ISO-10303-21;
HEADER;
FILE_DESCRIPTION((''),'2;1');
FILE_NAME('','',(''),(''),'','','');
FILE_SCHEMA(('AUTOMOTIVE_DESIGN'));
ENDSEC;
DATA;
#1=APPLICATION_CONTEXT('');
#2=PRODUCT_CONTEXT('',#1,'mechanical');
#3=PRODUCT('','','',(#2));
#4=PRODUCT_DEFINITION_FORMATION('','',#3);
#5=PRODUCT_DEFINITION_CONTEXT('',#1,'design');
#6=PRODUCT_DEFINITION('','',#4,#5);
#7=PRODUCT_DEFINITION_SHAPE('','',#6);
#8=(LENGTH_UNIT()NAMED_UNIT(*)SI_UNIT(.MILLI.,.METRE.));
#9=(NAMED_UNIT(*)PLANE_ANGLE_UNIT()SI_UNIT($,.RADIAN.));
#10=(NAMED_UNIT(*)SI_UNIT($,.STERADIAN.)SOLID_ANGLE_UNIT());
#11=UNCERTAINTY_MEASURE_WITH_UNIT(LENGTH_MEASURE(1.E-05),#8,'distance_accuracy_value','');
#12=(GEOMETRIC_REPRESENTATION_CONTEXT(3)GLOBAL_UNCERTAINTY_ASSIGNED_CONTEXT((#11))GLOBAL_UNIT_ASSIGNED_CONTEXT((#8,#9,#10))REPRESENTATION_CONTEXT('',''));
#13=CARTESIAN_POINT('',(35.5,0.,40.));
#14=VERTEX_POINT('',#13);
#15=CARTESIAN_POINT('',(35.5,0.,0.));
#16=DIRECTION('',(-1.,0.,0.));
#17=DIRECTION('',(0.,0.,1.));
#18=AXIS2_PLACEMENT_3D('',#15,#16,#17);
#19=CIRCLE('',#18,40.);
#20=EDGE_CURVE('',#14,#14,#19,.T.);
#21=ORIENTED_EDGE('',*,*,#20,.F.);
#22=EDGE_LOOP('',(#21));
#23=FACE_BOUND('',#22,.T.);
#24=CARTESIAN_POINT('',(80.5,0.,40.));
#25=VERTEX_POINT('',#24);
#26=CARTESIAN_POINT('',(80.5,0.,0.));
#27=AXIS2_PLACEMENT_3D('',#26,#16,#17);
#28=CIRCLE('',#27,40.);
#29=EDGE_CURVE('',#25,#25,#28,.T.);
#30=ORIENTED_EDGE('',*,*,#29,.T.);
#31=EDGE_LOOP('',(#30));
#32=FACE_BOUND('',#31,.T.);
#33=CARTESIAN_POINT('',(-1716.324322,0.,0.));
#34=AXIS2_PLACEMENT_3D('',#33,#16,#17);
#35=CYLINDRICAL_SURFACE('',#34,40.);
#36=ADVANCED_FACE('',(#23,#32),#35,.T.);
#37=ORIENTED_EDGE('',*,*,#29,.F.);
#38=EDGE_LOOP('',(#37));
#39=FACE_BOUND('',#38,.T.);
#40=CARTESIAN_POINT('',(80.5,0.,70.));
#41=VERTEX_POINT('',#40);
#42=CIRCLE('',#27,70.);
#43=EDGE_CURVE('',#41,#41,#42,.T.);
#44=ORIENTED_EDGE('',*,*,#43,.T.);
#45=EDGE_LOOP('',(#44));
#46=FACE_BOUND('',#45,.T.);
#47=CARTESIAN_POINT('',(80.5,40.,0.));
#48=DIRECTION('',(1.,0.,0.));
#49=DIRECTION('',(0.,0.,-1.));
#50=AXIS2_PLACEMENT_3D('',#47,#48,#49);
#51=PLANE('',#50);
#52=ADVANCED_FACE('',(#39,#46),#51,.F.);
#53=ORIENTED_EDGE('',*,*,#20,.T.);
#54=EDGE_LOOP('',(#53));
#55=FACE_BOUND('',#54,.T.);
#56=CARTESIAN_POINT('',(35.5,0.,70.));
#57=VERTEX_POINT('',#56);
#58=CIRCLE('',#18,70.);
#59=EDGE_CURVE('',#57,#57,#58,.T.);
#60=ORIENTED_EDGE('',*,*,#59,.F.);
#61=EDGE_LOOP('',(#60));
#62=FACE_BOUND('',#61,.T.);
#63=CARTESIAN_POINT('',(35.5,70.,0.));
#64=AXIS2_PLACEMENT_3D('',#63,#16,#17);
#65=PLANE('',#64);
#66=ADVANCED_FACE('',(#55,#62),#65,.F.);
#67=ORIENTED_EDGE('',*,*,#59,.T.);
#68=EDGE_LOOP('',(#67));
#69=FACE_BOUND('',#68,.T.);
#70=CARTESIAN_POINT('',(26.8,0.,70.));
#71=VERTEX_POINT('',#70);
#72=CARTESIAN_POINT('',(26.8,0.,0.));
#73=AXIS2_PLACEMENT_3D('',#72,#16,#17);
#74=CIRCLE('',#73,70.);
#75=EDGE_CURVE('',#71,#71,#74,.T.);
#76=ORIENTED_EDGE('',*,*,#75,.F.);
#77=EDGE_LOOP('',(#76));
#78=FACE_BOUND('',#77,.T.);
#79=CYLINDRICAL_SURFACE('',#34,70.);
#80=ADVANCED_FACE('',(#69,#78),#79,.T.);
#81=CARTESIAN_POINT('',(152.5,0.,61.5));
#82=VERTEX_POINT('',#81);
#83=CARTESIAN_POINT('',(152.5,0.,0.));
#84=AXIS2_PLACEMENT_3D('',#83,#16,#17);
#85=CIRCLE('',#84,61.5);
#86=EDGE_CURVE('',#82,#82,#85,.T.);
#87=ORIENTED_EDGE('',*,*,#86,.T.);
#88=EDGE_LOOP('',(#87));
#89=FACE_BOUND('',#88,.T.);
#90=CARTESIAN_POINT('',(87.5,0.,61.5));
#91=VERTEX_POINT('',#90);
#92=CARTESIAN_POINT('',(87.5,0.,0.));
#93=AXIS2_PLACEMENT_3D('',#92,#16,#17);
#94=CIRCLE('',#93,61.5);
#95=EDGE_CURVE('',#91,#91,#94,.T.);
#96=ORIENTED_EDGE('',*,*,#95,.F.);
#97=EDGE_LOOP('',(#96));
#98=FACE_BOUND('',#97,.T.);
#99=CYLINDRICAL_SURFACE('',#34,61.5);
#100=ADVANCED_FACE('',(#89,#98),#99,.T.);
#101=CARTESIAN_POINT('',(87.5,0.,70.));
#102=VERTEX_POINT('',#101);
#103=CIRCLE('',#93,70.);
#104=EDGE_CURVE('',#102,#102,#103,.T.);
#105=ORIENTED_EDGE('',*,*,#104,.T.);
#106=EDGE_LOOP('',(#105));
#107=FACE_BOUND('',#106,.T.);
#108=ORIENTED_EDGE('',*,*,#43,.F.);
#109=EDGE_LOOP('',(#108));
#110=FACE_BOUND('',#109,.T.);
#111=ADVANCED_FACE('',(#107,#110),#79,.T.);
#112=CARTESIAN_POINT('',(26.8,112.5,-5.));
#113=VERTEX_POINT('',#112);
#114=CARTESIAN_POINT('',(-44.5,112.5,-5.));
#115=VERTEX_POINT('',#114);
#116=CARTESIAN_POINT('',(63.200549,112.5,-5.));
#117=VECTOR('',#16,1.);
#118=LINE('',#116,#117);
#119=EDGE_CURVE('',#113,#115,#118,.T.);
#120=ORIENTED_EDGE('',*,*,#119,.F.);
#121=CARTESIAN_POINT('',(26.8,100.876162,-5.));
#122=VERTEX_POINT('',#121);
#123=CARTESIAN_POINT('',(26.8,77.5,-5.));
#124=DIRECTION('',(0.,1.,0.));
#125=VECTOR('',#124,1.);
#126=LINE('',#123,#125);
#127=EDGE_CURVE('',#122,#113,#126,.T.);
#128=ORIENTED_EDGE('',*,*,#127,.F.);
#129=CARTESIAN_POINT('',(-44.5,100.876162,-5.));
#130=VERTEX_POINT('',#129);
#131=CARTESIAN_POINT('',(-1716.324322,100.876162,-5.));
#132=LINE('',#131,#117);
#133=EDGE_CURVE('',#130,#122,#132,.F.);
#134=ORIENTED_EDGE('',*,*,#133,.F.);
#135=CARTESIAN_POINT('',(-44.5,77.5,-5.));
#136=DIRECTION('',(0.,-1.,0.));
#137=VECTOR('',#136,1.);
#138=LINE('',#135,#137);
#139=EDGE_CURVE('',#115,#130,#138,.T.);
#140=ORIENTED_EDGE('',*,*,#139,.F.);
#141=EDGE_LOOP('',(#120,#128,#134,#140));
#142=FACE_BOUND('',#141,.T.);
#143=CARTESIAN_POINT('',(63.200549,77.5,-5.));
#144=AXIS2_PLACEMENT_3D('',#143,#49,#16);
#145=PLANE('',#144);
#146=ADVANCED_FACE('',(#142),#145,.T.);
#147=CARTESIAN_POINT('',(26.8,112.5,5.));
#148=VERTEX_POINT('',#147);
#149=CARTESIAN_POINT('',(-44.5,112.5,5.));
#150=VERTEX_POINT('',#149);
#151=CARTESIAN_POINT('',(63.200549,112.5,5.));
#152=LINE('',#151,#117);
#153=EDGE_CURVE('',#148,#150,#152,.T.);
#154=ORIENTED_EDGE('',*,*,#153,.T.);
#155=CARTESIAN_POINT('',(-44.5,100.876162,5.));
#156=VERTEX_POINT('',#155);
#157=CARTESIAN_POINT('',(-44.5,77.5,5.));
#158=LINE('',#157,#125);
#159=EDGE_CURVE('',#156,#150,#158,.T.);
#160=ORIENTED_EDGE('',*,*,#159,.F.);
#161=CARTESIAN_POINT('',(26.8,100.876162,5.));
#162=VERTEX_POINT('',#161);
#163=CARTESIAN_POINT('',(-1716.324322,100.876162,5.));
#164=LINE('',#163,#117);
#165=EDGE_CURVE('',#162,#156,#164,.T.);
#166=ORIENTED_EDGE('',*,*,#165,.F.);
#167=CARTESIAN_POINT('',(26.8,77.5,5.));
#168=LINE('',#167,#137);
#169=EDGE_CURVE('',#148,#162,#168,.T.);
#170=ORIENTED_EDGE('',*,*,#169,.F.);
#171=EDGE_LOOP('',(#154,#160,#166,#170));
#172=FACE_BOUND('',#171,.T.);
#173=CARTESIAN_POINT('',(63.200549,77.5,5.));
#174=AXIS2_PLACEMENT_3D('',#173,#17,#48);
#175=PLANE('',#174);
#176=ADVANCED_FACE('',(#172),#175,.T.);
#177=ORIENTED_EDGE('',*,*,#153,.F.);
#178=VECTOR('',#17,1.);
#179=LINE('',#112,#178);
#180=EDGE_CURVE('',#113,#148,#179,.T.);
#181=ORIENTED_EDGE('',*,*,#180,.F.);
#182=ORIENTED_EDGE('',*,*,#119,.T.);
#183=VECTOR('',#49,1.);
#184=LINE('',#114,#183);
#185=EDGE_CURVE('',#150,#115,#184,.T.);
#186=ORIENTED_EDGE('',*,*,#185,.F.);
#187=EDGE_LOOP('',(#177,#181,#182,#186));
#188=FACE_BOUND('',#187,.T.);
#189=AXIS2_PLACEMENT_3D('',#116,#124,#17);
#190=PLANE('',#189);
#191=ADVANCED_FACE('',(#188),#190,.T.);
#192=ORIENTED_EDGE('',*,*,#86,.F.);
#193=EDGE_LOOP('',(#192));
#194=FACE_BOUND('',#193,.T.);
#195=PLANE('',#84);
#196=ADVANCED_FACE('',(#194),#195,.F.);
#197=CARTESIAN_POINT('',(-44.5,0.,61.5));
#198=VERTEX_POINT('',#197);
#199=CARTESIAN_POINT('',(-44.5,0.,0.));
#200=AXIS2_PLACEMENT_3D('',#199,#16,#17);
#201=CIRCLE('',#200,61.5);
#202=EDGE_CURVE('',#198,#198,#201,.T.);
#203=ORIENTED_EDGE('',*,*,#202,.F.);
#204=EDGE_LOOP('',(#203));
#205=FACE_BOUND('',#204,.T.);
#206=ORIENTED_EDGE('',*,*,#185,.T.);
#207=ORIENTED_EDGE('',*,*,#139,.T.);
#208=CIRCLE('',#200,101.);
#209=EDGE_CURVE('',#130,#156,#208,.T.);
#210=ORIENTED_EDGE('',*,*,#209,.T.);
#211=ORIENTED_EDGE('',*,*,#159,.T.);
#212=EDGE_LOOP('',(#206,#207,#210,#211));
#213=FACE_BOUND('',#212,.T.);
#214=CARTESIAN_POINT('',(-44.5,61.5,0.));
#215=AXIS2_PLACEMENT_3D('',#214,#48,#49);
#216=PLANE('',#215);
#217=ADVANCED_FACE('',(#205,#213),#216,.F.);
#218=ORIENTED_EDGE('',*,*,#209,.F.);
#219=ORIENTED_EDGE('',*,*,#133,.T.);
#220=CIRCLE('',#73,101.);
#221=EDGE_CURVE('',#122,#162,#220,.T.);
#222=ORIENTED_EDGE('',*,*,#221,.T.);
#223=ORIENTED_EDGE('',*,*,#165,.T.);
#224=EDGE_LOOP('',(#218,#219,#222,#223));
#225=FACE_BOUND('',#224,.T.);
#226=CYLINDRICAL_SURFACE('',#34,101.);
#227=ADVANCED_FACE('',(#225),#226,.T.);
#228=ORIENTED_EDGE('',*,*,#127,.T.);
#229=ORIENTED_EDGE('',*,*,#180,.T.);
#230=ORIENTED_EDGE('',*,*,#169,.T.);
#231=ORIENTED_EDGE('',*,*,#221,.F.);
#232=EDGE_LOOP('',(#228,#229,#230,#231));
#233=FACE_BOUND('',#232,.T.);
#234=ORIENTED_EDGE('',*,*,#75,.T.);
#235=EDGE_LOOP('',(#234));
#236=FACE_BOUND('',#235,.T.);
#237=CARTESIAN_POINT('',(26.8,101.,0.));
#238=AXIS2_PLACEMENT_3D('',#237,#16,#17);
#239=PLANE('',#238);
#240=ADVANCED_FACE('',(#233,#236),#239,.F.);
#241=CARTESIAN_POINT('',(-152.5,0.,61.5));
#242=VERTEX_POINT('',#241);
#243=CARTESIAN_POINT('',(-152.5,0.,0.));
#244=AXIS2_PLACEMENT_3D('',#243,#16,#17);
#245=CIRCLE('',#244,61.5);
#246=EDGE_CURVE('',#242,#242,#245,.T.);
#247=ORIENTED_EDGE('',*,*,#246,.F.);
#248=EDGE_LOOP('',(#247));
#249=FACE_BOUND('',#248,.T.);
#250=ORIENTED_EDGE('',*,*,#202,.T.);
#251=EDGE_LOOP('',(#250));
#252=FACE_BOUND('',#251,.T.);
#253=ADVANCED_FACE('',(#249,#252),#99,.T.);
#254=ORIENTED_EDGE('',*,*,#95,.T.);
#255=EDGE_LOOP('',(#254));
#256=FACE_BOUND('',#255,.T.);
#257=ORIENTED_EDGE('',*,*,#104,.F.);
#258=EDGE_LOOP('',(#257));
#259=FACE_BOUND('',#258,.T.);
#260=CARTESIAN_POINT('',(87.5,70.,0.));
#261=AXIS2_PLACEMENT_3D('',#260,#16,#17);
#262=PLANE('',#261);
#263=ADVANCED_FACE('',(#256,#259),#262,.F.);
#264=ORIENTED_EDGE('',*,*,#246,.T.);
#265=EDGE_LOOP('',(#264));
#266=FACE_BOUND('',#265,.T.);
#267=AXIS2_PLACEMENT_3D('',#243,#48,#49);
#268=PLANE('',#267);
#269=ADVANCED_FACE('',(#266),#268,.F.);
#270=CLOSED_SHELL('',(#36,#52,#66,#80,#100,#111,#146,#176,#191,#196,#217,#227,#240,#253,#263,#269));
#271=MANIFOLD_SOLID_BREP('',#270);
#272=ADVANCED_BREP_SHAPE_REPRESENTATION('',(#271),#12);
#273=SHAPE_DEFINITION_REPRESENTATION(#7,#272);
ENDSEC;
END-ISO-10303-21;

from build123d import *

# Parameters (mm, degrees)
SCHIZZO2_W                   = 10
SCHIZZO2_H                   = 35
ESTRUSIONE_ESTRUSIONE1_DEPTH = 71.3


with BuildPart() as part:
    # Schizzo1 → Rivoluzione1 (revolve)
    with BuildSketch(Plane.XY, mode=Mode.PRIVATE) as rivoluzione1_sk:
        Polygon((-152.5, 0), (152.5, 0), (152.5, 61.5), (87.5, 61.5), (87.5, 70), (80.5, 70), (80.5, 40), (35.5, 40), (35.5, 70), (26.8, 70), (26.8, 101), (-44.5, 101), (-44.5, 61.5), (-152.5, 61.5), align=None)
    revolve(rivoluzione1_sk.sketch.rotate(Axis((-1716.324322208, 0, 0), (1, 0, 0)), 90), axis=Axis((-1716.324322208, 0, 0), (1, 0, 0)))

    # Schizzo2 → Estrusione-Estrusione1 (add)
    with BuildSketch(Plane.ZY.offset(44.5)):
        with Locations((0, 95)):
            Rectangle(SCHIZZO2_W, SCHIZZO2_H)
    extrude(amount=-ESTRUSIONE_ESTRUSIONE1_DEPTH)


solid = part.part
